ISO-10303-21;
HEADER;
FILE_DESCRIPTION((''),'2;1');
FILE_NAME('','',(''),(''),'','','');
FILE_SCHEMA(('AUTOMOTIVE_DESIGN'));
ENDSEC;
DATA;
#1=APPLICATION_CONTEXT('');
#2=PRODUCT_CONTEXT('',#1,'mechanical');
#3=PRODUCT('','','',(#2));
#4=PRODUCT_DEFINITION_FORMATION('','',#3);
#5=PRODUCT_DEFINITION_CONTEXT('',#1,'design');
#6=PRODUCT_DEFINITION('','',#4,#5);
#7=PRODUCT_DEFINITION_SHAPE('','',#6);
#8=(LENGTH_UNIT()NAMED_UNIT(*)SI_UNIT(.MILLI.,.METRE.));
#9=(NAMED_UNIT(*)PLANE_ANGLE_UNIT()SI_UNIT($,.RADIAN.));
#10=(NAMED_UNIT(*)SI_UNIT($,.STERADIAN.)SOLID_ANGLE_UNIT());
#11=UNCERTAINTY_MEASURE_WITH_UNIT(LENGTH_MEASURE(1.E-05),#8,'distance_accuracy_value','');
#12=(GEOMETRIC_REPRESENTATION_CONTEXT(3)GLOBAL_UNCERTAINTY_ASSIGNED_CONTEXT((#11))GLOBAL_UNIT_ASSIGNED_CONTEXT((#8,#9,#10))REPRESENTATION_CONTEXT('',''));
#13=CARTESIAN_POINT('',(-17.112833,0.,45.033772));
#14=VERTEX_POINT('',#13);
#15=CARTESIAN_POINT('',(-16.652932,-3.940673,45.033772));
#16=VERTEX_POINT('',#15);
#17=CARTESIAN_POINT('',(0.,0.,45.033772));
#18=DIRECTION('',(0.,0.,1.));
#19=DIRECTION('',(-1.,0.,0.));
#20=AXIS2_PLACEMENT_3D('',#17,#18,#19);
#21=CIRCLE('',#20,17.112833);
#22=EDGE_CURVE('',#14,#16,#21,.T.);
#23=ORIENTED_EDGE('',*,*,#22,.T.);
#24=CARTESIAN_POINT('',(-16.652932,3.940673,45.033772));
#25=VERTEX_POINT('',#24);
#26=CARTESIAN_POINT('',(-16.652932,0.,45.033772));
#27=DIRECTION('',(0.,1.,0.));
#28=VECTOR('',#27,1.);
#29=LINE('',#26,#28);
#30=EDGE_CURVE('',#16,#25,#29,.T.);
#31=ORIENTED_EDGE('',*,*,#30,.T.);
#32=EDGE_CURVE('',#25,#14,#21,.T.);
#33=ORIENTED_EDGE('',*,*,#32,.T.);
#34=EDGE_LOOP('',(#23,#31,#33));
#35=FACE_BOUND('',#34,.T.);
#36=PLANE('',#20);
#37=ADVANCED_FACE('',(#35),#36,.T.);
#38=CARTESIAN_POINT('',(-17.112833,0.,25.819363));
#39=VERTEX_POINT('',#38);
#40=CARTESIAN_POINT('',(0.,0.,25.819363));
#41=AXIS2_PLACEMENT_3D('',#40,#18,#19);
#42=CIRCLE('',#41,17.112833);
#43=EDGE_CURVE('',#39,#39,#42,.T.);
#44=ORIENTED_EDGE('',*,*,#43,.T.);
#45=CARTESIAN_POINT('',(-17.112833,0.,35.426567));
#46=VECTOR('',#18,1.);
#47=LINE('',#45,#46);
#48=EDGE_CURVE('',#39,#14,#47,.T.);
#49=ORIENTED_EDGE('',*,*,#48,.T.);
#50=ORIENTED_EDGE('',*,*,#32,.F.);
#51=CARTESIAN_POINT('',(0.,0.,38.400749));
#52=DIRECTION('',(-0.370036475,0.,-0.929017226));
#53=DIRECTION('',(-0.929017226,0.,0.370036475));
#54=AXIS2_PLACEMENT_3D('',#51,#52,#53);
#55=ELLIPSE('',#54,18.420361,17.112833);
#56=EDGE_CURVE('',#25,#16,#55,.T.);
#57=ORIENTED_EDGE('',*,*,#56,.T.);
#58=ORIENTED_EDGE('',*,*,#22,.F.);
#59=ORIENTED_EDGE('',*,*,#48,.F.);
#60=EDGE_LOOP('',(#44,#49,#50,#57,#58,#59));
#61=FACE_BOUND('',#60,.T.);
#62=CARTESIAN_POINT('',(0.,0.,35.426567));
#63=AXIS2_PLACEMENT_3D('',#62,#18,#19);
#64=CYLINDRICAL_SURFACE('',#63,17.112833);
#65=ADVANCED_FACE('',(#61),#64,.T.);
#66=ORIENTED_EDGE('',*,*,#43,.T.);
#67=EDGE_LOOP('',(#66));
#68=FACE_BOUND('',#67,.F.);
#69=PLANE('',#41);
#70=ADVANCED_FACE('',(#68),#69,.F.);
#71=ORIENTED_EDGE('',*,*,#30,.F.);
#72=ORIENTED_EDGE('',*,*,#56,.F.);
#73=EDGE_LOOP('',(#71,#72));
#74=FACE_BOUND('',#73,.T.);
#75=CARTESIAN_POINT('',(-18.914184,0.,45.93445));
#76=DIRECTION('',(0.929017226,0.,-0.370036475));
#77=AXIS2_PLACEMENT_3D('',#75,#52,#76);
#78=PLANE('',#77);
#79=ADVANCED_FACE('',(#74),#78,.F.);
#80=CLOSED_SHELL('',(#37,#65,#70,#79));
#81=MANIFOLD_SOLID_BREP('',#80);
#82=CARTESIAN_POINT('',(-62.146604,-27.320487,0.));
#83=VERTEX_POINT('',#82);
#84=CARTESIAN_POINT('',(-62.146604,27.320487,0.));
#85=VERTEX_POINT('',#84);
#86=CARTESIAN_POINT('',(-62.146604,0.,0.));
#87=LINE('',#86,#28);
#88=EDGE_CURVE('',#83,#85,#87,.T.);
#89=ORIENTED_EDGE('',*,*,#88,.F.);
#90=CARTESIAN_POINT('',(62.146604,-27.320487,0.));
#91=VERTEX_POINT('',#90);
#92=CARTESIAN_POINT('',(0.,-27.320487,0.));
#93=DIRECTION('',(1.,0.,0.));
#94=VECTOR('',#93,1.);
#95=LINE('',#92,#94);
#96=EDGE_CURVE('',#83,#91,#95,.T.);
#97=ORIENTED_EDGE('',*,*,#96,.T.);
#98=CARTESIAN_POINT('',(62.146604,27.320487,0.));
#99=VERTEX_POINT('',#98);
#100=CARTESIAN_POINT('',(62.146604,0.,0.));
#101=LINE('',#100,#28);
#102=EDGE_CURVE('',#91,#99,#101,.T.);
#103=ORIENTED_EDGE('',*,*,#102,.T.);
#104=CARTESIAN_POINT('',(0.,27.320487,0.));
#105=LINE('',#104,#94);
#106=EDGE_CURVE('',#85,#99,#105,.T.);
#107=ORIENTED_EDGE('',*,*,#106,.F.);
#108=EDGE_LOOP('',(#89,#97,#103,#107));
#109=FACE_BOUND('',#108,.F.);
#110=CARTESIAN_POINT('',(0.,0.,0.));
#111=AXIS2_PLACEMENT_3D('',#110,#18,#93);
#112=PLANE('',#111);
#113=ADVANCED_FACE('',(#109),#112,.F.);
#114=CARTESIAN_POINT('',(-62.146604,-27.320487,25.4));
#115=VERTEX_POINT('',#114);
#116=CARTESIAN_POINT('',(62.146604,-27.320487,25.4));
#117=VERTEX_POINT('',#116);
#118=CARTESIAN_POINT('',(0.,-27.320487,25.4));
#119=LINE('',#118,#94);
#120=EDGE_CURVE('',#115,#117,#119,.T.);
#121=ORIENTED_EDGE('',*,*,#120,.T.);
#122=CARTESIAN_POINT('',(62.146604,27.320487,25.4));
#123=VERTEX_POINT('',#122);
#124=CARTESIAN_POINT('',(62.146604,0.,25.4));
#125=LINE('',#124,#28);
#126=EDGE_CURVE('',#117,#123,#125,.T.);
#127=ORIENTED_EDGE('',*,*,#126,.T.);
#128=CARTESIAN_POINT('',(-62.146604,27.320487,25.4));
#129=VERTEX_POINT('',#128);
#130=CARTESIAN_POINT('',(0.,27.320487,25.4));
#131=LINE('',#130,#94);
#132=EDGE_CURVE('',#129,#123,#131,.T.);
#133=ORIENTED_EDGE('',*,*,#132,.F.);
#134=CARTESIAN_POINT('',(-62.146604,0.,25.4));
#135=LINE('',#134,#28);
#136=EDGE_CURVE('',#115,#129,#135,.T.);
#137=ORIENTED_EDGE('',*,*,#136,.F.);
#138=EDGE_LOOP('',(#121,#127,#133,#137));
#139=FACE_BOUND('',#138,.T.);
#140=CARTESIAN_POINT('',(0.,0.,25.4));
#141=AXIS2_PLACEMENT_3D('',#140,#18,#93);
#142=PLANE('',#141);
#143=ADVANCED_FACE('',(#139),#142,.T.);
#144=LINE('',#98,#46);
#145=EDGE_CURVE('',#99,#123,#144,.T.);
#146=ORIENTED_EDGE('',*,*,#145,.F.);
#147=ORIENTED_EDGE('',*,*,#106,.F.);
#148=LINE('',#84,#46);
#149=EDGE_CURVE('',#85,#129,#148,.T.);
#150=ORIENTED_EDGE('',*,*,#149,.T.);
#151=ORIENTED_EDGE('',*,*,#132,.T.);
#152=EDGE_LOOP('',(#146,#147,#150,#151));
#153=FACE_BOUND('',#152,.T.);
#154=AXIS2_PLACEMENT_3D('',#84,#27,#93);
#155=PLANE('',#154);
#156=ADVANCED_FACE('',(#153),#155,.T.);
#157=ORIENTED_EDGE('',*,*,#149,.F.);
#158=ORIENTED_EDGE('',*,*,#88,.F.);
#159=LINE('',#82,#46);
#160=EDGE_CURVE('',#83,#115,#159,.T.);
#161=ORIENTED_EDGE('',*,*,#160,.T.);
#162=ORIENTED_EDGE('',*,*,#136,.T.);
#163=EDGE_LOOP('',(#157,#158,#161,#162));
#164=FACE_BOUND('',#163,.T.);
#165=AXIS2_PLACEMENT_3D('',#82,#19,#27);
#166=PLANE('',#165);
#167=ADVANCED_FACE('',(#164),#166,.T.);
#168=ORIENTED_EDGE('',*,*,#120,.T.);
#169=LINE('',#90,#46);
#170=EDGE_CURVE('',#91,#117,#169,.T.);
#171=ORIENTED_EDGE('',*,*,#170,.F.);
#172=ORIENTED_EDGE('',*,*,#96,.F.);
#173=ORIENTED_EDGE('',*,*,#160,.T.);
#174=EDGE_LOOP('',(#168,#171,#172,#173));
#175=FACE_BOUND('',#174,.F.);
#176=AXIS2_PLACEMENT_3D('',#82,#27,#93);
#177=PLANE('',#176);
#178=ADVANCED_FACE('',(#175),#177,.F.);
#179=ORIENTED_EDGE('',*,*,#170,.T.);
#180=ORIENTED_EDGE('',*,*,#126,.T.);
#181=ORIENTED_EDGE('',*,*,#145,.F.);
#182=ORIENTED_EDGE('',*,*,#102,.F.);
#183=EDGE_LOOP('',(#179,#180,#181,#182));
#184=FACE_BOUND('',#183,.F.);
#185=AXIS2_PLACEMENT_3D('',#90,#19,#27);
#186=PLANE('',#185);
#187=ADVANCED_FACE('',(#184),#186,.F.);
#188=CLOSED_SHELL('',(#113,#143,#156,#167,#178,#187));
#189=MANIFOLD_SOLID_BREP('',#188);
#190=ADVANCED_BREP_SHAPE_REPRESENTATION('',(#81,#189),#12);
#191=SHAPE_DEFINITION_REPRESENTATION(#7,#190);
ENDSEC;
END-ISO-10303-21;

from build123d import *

# Parameters (mm, degrees)
F0_W     = 124.2932081223
F0_H     = 54.6409748495
F1_DEPTH = 25.4
F2_W     = 17.1128325164
F2_H     = 19.2144084722


with BuildPart() as f1:
    # F0 (on Top) → F1 (new body)
    with BuildSketch(Plane.XY):
        Rectangle(F0_W, F0_H)
    extrude(amount=F1_DEPTH)


with BuildPart() as f3:
    # F2 (on Front) → F3 (revolve)
    with BuildSketch(Plane.XZ):
        with Locations((-8.5564162582, 35.4265673086)):
            Rectangle(F2_W, F2_H)
    revolve(axis=Axis((0, 0, 35.4265673086), (0, 0, 1)))

    # F4 (on Front) → F5 (revolve, cut)
    with BuildSketch(Plane.XZ):
        Polygon((-6.151519385, 77.976520624), (-18.9141836017, 45.9344498813), (23.8189133723, 28.9134473375), (36.5815775891, 60.9555180802), align=None)
    revolve(axis=Axis((-12.5328514934, 0, 61.9554852527), (-0.3700364751, 0, -0.9290172265)), mode=Mode.SUBTRACT)


solid = Compound([f1.part, f3.part])
